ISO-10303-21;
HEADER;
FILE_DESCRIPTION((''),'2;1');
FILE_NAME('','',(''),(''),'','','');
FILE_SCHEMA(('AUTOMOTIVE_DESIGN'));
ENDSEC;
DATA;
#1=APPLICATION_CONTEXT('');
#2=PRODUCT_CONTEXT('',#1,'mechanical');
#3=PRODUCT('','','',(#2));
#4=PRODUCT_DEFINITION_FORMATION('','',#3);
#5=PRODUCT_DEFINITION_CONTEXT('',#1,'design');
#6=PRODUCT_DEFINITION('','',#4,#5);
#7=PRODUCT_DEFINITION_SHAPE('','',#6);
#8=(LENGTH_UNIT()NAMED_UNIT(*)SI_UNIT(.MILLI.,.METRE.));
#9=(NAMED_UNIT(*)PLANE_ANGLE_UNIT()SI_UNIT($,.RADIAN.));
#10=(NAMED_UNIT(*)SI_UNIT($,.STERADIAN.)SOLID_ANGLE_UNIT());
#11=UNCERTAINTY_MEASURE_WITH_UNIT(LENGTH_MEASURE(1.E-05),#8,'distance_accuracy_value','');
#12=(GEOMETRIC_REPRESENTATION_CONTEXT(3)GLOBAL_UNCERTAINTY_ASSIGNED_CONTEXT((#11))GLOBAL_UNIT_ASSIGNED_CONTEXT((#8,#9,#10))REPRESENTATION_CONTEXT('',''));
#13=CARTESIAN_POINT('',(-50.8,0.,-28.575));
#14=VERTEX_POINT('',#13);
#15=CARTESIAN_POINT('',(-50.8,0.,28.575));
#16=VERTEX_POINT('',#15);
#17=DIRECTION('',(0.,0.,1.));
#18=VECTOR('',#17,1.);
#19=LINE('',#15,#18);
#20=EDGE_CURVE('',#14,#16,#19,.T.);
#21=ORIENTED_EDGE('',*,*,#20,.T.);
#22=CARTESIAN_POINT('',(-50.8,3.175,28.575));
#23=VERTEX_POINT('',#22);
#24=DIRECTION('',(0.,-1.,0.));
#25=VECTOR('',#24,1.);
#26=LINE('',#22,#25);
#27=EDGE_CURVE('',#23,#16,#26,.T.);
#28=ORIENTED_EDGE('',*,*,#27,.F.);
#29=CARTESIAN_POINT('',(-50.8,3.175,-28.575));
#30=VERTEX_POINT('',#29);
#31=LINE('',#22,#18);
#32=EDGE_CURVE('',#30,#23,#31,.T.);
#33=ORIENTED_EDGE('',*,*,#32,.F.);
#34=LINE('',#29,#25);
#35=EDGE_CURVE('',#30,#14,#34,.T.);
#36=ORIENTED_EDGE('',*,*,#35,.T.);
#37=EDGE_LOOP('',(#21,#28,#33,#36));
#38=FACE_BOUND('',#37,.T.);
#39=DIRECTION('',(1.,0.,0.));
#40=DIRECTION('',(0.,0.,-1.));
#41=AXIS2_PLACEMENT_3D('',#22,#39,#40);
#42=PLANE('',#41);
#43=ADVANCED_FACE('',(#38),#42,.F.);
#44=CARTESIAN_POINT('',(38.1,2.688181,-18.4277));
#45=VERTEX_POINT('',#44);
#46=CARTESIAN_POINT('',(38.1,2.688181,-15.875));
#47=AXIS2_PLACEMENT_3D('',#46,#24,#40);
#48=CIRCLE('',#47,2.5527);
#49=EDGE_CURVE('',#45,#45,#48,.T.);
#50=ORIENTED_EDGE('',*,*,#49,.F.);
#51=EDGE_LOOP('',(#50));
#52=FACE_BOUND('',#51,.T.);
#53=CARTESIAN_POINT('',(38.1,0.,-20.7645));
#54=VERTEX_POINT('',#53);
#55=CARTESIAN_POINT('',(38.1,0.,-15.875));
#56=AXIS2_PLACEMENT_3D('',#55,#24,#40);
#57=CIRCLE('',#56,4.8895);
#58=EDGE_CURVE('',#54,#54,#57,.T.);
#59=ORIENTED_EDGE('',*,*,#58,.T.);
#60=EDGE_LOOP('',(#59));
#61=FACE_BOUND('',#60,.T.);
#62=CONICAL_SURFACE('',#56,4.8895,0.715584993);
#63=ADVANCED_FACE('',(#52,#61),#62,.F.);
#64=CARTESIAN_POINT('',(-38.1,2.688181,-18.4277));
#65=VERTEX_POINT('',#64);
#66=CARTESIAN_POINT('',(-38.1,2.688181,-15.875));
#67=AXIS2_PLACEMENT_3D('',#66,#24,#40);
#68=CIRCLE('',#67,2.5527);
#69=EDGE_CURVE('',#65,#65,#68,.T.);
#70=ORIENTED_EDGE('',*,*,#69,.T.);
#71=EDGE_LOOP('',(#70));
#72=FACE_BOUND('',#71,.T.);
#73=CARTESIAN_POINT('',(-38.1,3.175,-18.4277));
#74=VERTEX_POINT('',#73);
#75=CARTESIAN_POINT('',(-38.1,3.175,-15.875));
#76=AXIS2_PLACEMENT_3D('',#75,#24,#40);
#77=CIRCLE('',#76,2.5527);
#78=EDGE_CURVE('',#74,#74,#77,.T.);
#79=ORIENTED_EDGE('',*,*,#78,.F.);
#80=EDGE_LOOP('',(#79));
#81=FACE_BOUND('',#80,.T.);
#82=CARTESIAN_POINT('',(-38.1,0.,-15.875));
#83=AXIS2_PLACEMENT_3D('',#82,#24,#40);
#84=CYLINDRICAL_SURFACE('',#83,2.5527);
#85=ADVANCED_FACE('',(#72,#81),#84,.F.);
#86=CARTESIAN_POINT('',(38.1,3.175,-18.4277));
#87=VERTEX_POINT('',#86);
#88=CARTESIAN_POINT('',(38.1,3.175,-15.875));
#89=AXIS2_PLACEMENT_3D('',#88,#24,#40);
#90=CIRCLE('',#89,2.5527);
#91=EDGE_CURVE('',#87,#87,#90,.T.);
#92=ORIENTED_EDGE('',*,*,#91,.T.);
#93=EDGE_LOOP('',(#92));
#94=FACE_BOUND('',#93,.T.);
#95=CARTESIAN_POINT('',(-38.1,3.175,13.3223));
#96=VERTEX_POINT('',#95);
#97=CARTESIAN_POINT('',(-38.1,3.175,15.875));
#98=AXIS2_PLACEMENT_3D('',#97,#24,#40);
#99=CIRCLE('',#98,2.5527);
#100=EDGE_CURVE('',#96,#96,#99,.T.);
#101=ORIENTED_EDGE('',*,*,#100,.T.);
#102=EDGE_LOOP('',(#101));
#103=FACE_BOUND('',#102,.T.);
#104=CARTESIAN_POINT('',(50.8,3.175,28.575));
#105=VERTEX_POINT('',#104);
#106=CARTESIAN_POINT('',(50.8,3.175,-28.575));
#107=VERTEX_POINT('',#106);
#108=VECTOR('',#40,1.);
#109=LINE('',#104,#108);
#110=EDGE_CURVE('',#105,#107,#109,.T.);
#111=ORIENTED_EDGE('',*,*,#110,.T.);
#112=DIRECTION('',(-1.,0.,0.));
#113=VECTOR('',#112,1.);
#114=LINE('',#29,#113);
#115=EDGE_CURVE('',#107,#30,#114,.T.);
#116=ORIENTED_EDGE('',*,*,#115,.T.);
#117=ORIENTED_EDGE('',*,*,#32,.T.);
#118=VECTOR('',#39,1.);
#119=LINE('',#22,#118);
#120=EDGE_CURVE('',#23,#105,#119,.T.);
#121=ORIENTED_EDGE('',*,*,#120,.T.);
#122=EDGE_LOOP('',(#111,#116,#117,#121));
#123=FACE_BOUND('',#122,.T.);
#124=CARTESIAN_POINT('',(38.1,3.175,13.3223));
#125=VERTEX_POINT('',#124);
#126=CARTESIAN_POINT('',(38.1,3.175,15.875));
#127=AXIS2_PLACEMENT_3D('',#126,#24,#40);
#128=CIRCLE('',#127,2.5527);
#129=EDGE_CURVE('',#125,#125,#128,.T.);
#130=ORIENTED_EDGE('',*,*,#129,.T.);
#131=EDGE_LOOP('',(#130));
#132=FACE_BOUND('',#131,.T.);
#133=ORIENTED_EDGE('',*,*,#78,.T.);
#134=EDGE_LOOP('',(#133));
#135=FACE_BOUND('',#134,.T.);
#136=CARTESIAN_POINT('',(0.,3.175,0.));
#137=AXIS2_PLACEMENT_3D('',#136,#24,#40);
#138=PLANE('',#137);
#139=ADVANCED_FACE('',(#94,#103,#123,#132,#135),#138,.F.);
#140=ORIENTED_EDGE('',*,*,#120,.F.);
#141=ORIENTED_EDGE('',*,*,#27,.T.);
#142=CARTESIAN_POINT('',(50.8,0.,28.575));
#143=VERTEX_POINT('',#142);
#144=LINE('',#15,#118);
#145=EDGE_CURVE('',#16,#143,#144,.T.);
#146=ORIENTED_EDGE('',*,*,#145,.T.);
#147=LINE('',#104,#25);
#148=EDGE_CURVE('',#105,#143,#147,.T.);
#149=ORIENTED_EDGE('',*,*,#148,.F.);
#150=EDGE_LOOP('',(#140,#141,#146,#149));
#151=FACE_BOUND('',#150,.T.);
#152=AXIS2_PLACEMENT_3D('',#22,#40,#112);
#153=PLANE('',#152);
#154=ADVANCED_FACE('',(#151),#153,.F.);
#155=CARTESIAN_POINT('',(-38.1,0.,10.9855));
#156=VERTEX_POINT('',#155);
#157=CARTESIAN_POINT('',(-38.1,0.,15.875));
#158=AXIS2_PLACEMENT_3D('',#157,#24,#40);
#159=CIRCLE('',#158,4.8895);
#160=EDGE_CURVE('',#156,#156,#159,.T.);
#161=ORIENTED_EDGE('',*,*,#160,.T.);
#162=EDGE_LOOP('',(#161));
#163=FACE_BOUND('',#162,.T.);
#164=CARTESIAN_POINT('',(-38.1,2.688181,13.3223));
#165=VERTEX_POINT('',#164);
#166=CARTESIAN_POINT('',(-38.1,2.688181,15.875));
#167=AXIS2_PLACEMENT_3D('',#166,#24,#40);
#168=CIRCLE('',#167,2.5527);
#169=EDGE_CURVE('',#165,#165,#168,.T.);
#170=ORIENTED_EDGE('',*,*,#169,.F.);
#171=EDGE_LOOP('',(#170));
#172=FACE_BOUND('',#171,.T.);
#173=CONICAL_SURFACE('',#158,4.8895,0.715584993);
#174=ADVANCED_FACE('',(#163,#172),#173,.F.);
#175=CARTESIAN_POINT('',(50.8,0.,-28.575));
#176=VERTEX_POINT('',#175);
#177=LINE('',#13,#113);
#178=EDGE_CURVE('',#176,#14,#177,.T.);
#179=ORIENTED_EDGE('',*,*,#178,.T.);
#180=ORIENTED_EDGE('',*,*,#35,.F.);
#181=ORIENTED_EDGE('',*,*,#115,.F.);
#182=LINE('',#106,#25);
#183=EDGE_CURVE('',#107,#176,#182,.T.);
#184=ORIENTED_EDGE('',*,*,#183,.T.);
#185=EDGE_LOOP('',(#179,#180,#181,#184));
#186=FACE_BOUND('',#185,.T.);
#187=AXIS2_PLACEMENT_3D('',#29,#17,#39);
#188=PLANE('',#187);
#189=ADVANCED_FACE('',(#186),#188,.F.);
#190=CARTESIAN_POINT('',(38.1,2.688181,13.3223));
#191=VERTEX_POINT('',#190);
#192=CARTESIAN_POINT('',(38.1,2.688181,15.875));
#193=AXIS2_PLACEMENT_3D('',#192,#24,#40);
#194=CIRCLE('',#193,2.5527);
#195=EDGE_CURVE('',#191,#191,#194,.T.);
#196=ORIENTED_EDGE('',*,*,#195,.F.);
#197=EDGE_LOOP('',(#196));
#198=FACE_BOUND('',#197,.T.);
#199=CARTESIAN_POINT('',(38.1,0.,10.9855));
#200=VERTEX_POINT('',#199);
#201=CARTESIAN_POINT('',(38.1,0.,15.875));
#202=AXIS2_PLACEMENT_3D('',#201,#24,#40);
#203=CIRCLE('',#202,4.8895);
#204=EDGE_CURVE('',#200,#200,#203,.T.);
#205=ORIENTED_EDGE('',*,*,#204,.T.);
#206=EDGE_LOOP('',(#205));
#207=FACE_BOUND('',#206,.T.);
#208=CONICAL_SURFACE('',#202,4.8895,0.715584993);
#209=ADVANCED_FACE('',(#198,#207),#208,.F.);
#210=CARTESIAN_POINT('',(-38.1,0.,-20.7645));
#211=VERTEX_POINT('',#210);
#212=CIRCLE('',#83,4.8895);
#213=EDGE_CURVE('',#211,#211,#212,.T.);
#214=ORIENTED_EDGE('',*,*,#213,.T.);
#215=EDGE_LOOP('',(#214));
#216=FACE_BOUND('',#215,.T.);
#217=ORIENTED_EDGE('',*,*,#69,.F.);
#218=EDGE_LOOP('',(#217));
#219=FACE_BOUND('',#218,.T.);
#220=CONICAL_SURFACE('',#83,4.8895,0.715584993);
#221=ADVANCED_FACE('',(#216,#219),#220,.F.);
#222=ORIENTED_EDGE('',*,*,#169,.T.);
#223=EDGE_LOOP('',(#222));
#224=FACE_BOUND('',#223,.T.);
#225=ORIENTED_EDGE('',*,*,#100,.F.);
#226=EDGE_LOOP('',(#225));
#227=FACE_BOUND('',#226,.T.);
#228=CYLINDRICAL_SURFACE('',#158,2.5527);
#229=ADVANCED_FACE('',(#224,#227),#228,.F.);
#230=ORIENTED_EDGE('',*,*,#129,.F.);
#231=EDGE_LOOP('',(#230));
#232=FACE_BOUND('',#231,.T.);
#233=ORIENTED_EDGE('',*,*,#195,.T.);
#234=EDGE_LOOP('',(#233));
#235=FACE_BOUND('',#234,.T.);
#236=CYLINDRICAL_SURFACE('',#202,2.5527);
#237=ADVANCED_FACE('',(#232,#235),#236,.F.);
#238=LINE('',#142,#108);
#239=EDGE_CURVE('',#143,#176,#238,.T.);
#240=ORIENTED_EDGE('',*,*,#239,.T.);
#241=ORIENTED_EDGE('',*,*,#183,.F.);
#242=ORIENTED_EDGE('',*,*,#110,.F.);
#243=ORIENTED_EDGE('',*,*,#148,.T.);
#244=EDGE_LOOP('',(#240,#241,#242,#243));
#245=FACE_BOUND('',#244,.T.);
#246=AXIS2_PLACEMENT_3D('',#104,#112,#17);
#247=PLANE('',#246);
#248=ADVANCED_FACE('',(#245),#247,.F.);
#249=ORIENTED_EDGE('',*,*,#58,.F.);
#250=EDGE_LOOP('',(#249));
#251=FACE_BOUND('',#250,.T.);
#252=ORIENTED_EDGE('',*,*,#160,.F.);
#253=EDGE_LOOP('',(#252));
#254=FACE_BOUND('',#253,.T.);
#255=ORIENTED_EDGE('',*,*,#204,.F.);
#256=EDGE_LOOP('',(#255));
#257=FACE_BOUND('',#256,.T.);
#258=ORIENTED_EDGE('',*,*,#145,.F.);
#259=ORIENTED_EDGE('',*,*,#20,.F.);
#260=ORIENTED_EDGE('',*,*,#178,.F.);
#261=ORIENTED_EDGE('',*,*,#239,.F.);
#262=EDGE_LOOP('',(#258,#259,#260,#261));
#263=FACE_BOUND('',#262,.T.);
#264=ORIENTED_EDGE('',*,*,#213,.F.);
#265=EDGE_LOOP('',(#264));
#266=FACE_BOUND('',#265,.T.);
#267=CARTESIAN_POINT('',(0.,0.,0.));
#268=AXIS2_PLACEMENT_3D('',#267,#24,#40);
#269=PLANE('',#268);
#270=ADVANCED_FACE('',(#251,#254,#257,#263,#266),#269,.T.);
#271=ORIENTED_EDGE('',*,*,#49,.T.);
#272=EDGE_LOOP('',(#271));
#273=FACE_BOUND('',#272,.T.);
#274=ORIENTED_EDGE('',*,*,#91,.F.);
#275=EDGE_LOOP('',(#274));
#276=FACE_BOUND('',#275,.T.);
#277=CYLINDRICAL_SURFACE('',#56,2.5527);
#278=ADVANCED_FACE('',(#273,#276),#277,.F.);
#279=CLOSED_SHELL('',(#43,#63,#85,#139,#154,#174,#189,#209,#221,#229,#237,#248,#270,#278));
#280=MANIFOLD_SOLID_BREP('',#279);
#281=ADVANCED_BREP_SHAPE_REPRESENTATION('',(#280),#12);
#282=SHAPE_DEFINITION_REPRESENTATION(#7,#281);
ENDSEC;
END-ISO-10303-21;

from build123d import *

# Parameters (mm, degrees)
SKETCH1_W                                    = 101.6
SKETCH1_H                                    = 57.15
BOSS_EXTRUDE1_DEPTH                          = 3.175
CSK_FOR_10_FLAT_HEAD_MACHINE_SCREW1_AT_COUNT = 2
CSK_FOR_10_FLAT_HEAD_MACHINE_SCREW1_AT_PITCH = 31.75
CSK_FOR_10_FLAT_HEAD_MACHINE_SCREW1_2_COUNT  = 2
CSK_FOR_10_FLAT_HEAD_MACHINE_SCREW1_2_PITCH  = 76.2
CSK_FOR_10_FLAT_HEAD_MACHINE_SCREW1_3_COUNT  = 2
CSK_FOR_10_FLAT_HEAD_MACHINE_SCREW1_3_PITCH  = 82.55


with BuildPart() as part:
    # Sketch1 → Boss-Extrude1 (new body)
    with BuildSketch(Plane(origin=(0, 0, 0), x_dir=(1, 0, 0), z_dir=(0, 1, 0))):
        Rectangle(SKETCH1_W, SKETCH1_H)
    extrude(amount=BOSS_EXTRUDE1_DEPTH)

    # Sketch10 → CSK for #10 Flat Head Machine Screw1 (revolve, cut)
    with BuildSketch(Plane(origin=(-38.1, 0, 15.875), x_dir=(0, 0, -1), z_dir=(1, 0, 0))):
        Polygon((0, 0), (0, 3.175), (2.5527, 3.175), (2.5527, 2.688180894), (4.8895, 0), align=None)
    csk_for_10_flat_head_machine_screw1 = revolve(axis=Axis((-38.1, -6.35, 15.875), (0, 1, 0)), mode=Mode.SUBTRACT)

    # CSK for #10 Flat Head Machine Screw1 at: CSK for #10 Flat Head Machine Screw1 ×2
    with Locations(*[(0, 0, -i * CSK_FOR_10_FLAT_HEAD_MACHINE_SCREW1_AT_PITCH) for i in range(1, CSK_FOR_10_FLAT_HEAD_MACHINE_SCREW1_AT_COUNT)]):
        add(csk_for_10_flat_head_machine_screw1, mode=Mode.SUBTRACT)

    # CSK for _10 Flat Head Machine Screw1 2: CSK for #10 Flat Head Machine Screw1 ×2
    with Locations(*[(i * CSK_FOR_10_FLAT_HEAD_MACHINE_SCREW1_2_PITCH, 0, 0) for i in range(1, CSK_FOR_10_FLAT_HEAD_MACHINE_SCREW1_2_COUNT)]):
        add(csk_for_10_flat_head_machine_screw1, mode=Mode.SUBTRACT)

    # CSK for _10 Flat Head Machine Screw1 3: CSK for #10 Flat Head Machine Screw1 ×2
    with Locations(*[Vector(0.9230769230769231, 0, -0.38461538461538464) * (i * CSK_FOR_10_FLAT_HEAD_MACHINE_SCREW1_3_PITCH) for i in range(1, CSK_FOR_10_FLAT_HEAD_MACHINE_SCREW1_3_COUNT)]):
        add(csk_for_10_flat_head_machine_screw1, mode=Mode.SUBTRACT)


solid = part.part
